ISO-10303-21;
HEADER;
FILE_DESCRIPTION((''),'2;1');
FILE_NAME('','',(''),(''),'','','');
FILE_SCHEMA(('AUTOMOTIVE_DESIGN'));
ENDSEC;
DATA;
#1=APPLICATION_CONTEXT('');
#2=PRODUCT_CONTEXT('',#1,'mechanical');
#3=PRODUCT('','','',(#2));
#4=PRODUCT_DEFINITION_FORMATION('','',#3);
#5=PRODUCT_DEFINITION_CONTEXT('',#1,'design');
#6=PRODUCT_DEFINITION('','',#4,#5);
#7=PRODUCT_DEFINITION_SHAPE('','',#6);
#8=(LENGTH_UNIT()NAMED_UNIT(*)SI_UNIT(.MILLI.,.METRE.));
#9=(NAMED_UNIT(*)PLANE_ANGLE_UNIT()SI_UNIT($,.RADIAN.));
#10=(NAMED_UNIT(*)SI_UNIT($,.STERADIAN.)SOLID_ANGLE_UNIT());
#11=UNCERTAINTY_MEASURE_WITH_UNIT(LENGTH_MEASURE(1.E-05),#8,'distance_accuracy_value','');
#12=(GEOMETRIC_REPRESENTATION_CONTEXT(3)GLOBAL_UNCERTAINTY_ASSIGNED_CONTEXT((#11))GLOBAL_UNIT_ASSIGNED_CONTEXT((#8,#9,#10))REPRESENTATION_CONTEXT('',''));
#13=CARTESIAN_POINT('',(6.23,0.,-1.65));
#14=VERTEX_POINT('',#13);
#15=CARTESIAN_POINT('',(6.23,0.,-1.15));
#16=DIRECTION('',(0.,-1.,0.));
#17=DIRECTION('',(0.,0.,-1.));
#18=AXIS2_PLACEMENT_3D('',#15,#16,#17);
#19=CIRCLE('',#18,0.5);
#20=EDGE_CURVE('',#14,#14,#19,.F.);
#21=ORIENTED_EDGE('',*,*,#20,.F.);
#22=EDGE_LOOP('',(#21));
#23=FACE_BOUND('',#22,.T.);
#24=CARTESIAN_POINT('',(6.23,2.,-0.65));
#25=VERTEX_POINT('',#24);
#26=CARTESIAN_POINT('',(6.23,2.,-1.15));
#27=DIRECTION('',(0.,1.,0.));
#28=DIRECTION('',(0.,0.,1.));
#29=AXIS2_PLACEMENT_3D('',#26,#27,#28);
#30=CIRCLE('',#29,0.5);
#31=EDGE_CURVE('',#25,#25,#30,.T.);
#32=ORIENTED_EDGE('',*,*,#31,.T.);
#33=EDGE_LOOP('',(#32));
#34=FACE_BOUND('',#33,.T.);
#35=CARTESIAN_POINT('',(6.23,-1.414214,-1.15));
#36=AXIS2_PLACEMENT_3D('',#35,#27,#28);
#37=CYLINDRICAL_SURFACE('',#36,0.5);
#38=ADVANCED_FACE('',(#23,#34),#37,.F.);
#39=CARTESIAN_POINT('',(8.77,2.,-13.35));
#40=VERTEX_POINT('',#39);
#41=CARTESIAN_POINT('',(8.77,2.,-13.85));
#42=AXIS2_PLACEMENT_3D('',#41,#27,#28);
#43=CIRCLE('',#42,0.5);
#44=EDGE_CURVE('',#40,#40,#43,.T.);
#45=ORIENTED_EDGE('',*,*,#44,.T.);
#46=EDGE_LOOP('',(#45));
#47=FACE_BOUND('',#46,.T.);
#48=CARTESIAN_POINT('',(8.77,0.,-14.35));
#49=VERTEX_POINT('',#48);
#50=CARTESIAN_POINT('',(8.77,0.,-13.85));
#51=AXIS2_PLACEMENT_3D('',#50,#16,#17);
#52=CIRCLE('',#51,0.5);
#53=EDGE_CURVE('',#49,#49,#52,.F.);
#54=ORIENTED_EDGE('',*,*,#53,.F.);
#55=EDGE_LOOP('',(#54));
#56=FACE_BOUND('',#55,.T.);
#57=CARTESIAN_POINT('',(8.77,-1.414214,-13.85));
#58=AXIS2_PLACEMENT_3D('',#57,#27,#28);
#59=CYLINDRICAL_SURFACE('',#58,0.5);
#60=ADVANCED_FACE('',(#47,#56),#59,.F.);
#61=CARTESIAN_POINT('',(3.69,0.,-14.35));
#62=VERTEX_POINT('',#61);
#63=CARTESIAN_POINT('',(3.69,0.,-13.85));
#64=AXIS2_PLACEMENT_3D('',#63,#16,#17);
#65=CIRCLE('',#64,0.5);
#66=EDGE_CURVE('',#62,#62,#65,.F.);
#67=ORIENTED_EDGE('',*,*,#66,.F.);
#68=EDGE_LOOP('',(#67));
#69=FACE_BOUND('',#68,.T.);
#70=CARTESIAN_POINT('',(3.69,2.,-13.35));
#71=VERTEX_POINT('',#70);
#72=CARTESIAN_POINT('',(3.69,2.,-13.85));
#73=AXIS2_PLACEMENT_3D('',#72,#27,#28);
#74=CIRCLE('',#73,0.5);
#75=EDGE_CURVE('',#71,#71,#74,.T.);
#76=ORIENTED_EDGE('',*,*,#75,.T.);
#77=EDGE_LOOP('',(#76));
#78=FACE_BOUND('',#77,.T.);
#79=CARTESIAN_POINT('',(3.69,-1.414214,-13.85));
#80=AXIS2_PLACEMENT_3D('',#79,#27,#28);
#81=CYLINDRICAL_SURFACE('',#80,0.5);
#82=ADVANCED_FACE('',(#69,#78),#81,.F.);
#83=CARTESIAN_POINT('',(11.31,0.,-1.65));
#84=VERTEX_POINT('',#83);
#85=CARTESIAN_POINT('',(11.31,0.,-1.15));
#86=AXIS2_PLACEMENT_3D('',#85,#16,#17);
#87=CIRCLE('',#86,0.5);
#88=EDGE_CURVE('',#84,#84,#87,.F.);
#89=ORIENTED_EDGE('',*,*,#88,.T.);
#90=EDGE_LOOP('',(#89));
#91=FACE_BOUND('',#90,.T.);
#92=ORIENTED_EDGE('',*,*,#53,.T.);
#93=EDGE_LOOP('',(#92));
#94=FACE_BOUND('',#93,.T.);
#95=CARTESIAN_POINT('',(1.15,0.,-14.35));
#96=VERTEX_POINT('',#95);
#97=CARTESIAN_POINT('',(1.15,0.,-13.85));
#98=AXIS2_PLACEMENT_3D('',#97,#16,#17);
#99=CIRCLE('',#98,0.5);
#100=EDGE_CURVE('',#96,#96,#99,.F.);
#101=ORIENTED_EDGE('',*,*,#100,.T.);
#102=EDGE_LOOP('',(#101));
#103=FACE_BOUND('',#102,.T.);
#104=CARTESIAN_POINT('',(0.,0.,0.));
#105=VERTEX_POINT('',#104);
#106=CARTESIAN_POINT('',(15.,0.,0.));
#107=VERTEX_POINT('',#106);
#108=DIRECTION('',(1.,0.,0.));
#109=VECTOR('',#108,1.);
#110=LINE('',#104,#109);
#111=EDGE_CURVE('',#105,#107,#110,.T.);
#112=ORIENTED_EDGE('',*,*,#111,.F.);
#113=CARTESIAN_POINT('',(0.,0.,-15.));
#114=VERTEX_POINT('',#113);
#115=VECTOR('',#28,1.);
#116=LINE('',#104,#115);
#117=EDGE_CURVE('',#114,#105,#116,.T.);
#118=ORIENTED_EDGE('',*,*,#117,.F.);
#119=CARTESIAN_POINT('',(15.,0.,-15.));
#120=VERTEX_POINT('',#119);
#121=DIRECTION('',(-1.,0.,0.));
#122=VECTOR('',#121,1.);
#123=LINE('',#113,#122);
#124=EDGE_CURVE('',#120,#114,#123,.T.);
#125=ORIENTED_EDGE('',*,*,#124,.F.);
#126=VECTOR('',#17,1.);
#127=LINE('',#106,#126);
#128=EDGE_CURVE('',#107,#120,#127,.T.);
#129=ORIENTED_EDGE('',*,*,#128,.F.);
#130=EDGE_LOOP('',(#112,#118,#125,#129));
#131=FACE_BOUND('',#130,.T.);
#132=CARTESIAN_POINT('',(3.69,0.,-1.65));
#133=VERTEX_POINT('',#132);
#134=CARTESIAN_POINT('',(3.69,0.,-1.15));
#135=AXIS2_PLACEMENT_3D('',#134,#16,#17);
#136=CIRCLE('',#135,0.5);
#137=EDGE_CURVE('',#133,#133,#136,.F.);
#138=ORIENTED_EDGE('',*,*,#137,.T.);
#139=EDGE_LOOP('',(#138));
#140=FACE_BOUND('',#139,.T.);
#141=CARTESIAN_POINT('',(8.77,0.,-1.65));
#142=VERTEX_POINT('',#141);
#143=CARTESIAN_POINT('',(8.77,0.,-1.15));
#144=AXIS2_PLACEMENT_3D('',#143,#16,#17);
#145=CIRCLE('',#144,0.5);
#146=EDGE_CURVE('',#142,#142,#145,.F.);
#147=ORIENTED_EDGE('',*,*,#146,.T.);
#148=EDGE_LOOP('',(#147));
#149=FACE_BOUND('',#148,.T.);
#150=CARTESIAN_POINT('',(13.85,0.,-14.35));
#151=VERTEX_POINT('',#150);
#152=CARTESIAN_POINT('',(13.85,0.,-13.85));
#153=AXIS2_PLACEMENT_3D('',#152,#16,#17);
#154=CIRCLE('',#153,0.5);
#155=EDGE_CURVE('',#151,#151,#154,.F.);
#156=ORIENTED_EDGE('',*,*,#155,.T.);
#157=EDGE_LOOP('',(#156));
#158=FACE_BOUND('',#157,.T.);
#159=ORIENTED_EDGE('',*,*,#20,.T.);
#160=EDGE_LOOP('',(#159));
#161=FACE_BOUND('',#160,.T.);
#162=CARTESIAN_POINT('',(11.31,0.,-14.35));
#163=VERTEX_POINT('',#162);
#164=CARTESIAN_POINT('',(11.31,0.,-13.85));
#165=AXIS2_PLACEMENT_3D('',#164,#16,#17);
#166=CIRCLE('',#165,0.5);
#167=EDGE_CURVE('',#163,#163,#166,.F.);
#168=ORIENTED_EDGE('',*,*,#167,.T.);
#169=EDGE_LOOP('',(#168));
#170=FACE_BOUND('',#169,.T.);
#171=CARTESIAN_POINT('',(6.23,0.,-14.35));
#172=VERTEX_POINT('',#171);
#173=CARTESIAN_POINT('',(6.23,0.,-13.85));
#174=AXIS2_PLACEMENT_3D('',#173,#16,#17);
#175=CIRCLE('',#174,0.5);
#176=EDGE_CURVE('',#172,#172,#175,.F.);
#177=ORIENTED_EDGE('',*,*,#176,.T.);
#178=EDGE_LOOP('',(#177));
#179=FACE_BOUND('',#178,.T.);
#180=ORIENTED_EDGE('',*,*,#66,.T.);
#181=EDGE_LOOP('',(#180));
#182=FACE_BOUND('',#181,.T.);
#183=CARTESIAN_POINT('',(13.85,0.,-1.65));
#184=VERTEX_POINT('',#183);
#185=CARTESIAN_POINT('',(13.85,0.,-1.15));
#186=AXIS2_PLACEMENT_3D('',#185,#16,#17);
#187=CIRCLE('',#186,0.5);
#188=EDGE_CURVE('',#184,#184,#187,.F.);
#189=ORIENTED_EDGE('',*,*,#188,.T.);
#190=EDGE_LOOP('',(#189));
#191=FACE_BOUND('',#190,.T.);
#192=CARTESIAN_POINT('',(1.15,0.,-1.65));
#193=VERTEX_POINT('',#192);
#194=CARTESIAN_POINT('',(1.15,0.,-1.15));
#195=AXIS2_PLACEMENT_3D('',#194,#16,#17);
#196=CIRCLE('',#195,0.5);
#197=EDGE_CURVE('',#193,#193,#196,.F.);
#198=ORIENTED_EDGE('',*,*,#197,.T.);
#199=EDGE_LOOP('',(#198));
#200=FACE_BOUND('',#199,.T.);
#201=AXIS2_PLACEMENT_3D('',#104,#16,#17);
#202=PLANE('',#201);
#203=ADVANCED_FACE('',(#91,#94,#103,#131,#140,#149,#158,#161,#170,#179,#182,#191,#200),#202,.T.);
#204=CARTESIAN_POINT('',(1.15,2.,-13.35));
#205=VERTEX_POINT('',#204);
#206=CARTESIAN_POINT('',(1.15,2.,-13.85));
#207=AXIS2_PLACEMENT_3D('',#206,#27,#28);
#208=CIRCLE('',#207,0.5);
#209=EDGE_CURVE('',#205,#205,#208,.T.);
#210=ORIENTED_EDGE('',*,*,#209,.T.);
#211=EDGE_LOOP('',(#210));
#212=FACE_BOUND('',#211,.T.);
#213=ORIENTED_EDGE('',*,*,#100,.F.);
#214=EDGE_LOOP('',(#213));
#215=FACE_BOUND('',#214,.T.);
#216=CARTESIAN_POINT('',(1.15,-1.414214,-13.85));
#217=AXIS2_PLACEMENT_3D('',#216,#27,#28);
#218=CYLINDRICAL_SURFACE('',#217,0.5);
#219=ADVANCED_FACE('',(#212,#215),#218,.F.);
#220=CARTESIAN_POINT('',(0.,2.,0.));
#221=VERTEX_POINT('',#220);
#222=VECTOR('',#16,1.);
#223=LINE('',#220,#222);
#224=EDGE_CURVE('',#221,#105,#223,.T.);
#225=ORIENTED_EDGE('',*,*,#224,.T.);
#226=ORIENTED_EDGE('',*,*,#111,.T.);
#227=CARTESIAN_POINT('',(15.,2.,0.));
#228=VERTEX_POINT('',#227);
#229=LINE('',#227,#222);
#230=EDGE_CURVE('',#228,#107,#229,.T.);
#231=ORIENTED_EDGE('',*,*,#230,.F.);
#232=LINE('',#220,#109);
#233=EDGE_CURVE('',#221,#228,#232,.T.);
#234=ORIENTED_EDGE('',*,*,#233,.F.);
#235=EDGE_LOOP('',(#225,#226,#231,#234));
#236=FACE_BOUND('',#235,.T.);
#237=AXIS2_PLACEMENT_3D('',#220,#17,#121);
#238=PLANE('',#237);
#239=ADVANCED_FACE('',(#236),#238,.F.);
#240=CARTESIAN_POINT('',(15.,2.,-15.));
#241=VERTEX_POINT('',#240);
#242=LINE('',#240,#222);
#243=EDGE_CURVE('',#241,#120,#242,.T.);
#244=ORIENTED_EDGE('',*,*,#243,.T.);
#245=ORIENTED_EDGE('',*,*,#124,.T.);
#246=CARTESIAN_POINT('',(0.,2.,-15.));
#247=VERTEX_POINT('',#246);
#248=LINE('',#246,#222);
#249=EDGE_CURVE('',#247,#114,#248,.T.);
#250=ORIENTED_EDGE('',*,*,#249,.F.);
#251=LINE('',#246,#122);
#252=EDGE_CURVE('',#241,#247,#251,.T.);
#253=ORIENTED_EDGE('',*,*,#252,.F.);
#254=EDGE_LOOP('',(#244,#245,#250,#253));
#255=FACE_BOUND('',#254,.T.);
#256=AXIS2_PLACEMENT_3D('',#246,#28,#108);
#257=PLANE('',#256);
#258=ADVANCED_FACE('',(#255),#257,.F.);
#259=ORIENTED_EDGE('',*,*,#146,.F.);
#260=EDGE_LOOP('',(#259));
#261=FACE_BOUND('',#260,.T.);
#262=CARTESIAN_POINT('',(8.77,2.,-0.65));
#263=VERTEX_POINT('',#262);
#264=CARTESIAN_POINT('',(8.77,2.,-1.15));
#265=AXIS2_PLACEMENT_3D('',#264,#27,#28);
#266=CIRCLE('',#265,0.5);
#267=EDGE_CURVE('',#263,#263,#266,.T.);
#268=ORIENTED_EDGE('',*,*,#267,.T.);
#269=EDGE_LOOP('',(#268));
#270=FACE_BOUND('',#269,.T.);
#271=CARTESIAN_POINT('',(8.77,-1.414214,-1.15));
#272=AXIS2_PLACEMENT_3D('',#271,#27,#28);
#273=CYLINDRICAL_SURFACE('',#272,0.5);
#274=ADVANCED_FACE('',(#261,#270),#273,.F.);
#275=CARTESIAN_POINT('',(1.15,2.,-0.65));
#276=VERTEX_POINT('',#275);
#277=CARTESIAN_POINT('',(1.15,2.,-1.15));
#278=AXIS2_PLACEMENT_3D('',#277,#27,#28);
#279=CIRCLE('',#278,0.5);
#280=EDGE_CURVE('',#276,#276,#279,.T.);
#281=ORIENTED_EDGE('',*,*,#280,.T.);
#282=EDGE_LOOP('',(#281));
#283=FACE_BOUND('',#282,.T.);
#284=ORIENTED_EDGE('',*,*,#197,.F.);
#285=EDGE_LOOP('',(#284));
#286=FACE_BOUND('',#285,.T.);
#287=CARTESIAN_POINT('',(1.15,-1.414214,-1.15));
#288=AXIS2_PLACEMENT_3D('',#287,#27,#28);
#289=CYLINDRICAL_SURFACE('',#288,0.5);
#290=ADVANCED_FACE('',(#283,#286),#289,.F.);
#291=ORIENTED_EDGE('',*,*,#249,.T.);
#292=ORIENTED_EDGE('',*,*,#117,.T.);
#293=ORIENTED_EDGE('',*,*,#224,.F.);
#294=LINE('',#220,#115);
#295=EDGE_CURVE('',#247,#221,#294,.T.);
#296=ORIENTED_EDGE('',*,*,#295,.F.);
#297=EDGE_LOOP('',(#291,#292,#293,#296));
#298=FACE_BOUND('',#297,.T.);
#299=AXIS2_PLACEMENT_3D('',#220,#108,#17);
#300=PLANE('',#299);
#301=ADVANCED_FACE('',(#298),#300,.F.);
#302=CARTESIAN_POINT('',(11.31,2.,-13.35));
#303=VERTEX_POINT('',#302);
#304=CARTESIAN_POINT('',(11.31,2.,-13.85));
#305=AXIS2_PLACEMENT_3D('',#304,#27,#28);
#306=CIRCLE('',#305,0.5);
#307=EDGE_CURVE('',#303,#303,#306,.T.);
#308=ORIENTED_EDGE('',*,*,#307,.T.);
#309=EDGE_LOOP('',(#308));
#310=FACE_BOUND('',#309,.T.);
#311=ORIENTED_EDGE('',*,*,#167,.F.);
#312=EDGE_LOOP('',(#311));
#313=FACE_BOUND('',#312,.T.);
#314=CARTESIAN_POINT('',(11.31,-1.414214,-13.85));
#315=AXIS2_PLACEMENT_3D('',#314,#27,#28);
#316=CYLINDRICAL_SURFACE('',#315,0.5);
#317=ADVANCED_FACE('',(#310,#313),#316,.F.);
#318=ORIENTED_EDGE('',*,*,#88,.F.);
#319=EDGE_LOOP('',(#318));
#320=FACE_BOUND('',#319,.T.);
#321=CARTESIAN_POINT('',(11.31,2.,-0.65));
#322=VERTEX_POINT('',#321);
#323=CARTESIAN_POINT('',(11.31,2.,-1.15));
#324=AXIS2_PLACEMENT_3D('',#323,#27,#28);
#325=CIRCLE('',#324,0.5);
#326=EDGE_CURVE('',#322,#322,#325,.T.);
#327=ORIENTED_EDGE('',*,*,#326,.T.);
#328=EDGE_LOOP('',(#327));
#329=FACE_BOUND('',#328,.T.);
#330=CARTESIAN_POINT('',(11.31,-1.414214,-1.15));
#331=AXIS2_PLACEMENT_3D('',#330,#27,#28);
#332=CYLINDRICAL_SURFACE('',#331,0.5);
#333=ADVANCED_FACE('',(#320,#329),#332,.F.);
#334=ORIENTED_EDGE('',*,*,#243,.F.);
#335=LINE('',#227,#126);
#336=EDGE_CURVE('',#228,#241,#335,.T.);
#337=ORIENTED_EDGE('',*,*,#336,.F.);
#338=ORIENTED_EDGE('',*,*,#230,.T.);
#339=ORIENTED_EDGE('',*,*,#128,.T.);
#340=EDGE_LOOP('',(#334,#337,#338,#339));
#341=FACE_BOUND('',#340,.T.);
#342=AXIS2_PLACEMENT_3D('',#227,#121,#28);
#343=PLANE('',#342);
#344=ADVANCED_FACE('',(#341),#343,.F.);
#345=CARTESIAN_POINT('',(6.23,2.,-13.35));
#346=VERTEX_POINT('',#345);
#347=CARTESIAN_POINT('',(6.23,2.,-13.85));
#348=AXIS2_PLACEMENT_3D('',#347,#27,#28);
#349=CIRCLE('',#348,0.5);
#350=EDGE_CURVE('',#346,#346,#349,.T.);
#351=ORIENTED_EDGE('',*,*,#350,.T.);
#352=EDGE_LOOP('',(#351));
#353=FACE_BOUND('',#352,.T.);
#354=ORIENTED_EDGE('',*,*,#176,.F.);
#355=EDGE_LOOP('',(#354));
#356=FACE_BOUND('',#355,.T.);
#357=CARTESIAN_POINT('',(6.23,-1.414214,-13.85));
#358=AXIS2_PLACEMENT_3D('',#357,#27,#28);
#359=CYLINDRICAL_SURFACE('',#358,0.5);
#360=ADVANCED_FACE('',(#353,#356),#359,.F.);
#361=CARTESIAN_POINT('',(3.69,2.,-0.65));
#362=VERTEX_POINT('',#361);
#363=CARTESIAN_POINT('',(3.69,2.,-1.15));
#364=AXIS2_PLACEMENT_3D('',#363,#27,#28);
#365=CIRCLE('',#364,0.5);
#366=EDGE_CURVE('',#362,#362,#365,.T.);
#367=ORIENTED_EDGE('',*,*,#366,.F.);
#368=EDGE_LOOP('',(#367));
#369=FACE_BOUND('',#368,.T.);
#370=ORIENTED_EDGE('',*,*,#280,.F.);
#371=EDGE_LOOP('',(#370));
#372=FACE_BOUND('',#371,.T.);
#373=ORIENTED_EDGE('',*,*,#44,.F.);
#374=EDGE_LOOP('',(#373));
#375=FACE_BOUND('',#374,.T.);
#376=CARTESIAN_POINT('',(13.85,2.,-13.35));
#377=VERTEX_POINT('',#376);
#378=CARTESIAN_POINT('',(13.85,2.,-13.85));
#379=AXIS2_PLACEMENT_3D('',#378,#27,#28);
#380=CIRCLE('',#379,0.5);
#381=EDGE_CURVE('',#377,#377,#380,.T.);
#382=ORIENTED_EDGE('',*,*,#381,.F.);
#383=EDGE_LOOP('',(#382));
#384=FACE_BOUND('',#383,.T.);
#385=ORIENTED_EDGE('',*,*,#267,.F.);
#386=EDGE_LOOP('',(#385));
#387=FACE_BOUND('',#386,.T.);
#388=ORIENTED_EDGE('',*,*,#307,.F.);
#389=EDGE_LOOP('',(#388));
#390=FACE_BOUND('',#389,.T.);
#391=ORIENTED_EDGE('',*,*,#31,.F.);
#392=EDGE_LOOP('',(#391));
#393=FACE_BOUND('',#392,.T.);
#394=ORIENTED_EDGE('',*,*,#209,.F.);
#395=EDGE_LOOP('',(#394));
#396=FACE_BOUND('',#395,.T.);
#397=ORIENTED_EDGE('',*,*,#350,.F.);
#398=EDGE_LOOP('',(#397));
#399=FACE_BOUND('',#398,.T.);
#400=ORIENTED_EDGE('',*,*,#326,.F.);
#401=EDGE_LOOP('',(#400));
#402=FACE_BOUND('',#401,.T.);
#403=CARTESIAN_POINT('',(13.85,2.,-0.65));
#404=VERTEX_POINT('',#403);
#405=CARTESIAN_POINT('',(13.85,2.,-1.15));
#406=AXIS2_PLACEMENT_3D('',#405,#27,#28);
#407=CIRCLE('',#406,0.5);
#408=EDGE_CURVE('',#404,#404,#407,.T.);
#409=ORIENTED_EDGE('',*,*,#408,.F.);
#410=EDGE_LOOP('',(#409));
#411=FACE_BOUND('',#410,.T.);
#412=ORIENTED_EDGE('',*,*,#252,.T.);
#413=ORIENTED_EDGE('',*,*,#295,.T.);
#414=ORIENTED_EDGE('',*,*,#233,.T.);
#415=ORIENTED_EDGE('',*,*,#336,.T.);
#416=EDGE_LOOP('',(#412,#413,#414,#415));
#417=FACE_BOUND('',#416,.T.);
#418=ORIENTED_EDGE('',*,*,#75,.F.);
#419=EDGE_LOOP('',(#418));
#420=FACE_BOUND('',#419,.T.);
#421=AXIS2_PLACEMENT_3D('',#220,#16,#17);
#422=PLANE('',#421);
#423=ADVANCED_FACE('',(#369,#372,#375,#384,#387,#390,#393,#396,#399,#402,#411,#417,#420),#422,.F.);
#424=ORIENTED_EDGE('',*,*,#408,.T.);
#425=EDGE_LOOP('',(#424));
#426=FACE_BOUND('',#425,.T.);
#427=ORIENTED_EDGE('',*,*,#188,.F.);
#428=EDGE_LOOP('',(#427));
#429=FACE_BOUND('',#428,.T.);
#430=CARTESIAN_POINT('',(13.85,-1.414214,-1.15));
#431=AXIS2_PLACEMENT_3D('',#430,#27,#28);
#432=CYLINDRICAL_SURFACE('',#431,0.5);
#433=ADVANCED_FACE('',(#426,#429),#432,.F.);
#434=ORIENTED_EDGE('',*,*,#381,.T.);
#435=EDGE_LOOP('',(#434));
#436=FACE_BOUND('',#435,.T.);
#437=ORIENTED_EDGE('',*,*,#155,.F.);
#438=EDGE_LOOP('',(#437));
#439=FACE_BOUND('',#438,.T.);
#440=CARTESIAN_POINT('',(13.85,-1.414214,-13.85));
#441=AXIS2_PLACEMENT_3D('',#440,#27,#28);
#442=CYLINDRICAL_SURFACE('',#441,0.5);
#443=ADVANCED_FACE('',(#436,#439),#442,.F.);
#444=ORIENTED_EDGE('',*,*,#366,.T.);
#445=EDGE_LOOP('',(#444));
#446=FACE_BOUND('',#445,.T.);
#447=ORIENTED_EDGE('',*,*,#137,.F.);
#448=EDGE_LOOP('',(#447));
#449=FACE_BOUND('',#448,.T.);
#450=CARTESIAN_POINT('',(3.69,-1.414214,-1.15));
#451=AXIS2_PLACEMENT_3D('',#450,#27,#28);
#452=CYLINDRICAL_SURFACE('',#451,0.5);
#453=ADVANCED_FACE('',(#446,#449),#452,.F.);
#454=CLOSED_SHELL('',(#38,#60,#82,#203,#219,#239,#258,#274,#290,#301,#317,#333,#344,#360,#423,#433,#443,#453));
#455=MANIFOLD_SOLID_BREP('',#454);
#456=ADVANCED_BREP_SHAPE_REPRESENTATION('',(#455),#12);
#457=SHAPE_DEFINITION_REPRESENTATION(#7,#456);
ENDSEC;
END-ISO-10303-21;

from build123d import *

# Parameters (mm, degrees)
SKETCH1_W           = 15
SKETCH1_H           = 15
BOSS_EXTRUDE1_DEPTH = 2
SKETCH3_R           = 0.5
CUT_EXTRUDE1_DEPTH  = 2


with BuildPart() as part:
    # Sketch1 → Boss-Extrude1 (new body)
    with BuildSketch(Plane(origin=(0, 0, 0), x_dir=(1, 0, 0), z_dir=(0, 1, 0))):
        with Locations((7.5, 7.5)):
            Rectangle(SKETCH1_W, SKETCH1_H)
    extrude(amount=BOSS_EXTRUDE1_DEPTH)

    # Sketch3 → Cut-Extrude1 (cut)
    with BuildSketch(Plane(origin=(0, 2, 0), x_dir=(1, 0, 0), z_dir=(0, 1, 0))):
        with Locations((13.85, 1.15)):
            Circle(SKETCH3_R)
        with Locations((11.31, 1.15)):
            Circle(SKETCH3_R)
        with Locations((8.77, 1.15)):
            Circle(SKETCH3_R)
        with Locations((6.23, 1.15)):
            Circle(SKETCH3_R)
        with Locations((3.69, 1.15)):
            Circle(SKETCH3_R)
        with Locations((1.15, 1.15)):
            Circle(SKETCH3_R)
        with Locations((13.85, 13.85)):
            Circle(SKETCH3_R)
        with Locations((11.31, 13.85)):
            Circle(SKETCH3_R)
        with Locations((8.77, 13.85)):
            Circle(SKETCH3_R)
        with Locations((6.23, 13.85)):
            Circle(SKETCH3_R)
        with Locations((3.69, 13.85)):
            Circle(SKETCH3_R)
        with Locations((1.15, 13.85)):
            Circle(SKETCH3_R)
    extrude(amount=-CUT_EXTRUDE1_DEPTH, mode=Mode.SUBTRACT)


solid = part.part
